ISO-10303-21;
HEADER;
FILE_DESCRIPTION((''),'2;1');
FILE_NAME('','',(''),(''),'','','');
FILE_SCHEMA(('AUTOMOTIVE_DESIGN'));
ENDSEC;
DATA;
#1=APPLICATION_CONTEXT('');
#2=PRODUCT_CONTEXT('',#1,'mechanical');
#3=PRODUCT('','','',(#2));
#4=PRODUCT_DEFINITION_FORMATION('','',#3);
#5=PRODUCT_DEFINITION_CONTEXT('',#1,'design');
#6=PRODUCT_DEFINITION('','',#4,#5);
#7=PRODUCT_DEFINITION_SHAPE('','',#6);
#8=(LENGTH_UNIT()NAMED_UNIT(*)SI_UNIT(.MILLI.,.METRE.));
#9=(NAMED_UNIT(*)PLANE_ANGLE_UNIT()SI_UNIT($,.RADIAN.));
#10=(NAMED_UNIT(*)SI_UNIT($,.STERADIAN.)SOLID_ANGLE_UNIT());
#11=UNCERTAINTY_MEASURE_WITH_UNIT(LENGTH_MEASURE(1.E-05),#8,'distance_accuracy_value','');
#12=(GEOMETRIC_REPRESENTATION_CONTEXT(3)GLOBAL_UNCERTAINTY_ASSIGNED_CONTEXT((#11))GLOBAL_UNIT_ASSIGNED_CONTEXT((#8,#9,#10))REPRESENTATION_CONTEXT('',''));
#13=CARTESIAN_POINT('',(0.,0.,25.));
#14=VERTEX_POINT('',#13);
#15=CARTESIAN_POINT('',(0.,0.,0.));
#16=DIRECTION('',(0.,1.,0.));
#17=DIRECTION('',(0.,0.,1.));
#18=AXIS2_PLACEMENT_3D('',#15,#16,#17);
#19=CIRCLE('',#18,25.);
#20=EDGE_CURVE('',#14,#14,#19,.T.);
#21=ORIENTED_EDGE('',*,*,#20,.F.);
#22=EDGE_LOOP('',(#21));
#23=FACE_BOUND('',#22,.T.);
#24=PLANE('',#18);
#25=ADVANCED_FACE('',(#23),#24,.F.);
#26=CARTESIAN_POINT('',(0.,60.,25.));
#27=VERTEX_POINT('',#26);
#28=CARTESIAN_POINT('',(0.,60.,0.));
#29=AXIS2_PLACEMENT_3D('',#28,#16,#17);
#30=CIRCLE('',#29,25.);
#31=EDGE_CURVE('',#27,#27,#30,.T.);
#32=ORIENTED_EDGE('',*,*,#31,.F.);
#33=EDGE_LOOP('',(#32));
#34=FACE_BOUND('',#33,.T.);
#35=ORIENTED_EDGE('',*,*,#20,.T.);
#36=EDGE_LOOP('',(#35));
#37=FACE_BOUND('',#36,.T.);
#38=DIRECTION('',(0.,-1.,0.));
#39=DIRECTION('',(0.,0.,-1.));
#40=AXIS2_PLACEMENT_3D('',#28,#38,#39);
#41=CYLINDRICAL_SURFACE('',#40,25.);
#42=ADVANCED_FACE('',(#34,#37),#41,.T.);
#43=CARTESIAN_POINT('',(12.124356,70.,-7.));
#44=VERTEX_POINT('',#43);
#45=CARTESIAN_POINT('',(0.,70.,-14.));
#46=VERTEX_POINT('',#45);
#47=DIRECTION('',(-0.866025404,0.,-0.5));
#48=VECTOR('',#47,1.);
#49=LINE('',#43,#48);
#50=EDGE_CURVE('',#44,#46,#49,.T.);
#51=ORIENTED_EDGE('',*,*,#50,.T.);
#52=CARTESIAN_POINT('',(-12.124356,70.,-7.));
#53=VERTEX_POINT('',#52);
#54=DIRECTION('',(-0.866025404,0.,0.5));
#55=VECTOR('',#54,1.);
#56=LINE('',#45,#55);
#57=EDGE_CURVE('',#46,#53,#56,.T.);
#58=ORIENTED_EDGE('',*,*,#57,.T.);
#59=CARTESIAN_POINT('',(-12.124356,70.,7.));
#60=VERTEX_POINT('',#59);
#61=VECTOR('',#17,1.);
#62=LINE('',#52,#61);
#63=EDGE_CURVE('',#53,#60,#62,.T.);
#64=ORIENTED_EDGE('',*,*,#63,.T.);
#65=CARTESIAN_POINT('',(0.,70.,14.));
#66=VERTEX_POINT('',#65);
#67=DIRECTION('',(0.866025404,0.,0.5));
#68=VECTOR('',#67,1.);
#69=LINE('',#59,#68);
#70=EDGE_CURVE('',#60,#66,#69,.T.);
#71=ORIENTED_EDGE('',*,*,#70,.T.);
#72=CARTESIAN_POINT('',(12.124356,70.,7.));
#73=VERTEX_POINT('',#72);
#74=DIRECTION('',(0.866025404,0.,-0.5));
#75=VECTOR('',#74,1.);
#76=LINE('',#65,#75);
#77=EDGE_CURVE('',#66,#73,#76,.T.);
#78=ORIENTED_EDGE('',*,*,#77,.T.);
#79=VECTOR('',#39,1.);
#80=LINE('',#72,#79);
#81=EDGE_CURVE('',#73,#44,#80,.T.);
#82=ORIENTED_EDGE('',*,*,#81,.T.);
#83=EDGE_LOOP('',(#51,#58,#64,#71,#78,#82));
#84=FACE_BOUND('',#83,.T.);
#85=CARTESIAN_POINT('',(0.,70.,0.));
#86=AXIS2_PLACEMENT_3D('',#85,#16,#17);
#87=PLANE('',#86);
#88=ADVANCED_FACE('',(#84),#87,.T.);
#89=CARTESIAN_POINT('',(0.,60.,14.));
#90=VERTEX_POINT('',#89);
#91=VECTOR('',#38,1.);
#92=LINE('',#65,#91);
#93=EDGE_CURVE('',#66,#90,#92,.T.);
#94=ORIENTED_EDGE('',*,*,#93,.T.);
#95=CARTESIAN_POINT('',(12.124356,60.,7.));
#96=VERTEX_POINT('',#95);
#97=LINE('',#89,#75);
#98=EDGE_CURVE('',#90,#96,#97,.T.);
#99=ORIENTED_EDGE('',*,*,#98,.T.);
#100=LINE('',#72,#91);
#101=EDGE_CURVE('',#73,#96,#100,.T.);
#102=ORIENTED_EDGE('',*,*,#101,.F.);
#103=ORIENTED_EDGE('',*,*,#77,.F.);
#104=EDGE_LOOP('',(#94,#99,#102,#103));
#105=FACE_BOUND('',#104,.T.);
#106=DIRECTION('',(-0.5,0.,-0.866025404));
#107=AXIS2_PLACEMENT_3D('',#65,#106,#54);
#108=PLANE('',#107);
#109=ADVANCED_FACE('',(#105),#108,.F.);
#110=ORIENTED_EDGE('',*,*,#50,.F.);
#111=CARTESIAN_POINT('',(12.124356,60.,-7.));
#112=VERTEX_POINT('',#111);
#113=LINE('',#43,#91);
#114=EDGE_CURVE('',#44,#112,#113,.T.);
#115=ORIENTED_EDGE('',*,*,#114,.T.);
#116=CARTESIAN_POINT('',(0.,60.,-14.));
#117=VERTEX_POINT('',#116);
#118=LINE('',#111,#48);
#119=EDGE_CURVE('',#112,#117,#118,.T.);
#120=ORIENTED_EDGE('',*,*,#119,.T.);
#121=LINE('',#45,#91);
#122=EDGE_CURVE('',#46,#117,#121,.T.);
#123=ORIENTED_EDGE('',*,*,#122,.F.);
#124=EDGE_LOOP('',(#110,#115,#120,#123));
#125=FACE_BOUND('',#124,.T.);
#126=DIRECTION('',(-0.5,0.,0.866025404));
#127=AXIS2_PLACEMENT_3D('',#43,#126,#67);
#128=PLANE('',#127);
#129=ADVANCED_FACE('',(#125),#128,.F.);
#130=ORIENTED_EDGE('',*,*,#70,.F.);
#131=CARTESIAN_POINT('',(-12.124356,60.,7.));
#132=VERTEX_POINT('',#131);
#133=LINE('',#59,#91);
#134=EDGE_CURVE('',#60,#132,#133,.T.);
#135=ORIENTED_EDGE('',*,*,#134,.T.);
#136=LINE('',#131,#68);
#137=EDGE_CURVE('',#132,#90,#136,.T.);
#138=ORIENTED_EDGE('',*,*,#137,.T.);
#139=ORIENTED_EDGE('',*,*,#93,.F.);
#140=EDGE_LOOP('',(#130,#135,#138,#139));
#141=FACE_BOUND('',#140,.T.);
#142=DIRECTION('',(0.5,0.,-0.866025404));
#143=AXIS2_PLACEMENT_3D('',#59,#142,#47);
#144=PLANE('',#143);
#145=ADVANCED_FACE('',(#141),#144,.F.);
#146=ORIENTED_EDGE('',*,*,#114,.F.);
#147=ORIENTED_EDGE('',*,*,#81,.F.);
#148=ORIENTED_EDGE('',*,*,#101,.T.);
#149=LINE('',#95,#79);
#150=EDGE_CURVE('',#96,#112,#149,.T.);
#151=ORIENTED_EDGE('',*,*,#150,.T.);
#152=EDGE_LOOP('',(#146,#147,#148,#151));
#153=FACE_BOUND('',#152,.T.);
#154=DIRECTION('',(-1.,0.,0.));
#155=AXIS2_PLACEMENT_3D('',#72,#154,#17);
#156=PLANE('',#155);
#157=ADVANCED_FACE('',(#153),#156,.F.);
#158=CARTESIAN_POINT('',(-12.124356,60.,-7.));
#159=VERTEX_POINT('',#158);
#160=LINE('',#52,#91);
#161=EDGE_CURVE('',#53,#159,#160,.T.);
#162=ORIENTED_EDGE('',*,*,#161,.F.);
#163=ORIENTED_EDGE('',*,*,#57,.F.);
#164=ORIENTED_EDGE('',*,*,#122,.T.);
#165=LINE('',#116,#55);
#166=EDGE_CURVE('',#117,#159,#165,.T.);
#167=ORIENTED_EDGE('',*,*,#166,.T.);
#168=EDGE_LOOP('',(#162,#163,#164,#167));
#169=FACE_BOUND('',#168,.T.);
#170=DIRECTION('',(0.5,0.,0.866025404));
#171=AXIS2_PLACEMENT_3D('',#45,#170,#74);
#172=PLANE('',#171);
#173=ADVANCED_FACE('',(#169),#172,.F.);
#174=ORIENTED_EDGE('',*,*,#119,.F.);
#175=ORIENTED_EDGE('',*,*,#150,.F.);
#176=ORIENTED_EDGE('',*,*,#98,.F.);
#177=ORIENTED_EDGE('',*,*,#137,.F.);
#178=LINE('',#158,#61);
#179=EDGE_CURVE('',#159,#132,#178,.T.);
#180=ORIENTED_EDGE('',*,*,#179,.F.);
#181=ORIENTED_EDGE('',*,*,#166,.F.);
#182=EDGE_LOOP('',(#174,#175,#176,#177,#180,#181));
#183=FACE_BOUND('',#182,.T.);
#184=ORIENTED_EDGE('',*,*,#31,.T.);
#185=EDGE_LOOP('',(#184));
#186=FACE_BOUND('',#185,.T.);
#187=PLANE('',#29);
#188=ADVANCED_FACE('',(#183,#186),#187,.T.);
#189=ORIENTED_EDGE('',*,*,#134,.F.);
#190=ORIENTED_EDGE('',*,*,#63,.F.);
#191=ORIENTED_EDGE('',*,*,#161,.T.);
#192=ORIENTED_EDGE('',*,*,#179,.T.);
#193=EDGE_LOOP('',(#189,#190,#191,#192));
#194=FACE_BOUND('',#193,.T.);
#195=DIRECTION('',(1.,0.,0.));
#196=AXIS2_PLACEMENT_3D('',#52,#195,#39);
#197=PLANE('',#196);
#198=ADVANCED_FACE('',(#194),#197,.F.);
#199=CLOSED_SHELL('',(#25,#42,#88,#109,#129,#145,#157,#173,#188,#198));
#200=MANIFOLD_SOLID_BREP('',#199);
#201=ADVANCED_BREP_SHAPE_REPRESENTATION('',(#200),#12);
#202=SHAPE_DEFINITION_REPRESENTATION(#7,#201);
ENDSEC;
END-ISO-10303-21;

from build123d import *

# Parameters (mm, degrees)
SKETCH_1_R      = 25
EXTRUDE_1_DEPTH = 60
EXTRUDE_2_DEPTH = 10


with BuildPart() as part:
    # 草图1 → 凸台-拉伸1 (new body)
    with BuildSketch(Plane(origin=(0, 0, 0), x_dir=(1, 0, 0), z_dir=(0, 1, 0))):
        with Locations(Location((0, 0, 0), (0, 0, 270))):
            Circle(SKETCH_1_R)
    extrude(amount=EXTRUDE_1_DEPTH)

    # 草图2 → 凸台-拉伸2 (add)
    with BuildSketch(Plane(origin=(0, 60, 0), x_dir=(1, 0, 0), z_dir=(0, 1, 0))):
        Polygon((0, 14), (-12.124355653, 7), (-12.124355653, -7), (0, -14), (12.124355653, -7), (12.124355653, 7), align=None)
    extrude(amount=EXTRUDE_2_DEPTH)


solid = part.part
